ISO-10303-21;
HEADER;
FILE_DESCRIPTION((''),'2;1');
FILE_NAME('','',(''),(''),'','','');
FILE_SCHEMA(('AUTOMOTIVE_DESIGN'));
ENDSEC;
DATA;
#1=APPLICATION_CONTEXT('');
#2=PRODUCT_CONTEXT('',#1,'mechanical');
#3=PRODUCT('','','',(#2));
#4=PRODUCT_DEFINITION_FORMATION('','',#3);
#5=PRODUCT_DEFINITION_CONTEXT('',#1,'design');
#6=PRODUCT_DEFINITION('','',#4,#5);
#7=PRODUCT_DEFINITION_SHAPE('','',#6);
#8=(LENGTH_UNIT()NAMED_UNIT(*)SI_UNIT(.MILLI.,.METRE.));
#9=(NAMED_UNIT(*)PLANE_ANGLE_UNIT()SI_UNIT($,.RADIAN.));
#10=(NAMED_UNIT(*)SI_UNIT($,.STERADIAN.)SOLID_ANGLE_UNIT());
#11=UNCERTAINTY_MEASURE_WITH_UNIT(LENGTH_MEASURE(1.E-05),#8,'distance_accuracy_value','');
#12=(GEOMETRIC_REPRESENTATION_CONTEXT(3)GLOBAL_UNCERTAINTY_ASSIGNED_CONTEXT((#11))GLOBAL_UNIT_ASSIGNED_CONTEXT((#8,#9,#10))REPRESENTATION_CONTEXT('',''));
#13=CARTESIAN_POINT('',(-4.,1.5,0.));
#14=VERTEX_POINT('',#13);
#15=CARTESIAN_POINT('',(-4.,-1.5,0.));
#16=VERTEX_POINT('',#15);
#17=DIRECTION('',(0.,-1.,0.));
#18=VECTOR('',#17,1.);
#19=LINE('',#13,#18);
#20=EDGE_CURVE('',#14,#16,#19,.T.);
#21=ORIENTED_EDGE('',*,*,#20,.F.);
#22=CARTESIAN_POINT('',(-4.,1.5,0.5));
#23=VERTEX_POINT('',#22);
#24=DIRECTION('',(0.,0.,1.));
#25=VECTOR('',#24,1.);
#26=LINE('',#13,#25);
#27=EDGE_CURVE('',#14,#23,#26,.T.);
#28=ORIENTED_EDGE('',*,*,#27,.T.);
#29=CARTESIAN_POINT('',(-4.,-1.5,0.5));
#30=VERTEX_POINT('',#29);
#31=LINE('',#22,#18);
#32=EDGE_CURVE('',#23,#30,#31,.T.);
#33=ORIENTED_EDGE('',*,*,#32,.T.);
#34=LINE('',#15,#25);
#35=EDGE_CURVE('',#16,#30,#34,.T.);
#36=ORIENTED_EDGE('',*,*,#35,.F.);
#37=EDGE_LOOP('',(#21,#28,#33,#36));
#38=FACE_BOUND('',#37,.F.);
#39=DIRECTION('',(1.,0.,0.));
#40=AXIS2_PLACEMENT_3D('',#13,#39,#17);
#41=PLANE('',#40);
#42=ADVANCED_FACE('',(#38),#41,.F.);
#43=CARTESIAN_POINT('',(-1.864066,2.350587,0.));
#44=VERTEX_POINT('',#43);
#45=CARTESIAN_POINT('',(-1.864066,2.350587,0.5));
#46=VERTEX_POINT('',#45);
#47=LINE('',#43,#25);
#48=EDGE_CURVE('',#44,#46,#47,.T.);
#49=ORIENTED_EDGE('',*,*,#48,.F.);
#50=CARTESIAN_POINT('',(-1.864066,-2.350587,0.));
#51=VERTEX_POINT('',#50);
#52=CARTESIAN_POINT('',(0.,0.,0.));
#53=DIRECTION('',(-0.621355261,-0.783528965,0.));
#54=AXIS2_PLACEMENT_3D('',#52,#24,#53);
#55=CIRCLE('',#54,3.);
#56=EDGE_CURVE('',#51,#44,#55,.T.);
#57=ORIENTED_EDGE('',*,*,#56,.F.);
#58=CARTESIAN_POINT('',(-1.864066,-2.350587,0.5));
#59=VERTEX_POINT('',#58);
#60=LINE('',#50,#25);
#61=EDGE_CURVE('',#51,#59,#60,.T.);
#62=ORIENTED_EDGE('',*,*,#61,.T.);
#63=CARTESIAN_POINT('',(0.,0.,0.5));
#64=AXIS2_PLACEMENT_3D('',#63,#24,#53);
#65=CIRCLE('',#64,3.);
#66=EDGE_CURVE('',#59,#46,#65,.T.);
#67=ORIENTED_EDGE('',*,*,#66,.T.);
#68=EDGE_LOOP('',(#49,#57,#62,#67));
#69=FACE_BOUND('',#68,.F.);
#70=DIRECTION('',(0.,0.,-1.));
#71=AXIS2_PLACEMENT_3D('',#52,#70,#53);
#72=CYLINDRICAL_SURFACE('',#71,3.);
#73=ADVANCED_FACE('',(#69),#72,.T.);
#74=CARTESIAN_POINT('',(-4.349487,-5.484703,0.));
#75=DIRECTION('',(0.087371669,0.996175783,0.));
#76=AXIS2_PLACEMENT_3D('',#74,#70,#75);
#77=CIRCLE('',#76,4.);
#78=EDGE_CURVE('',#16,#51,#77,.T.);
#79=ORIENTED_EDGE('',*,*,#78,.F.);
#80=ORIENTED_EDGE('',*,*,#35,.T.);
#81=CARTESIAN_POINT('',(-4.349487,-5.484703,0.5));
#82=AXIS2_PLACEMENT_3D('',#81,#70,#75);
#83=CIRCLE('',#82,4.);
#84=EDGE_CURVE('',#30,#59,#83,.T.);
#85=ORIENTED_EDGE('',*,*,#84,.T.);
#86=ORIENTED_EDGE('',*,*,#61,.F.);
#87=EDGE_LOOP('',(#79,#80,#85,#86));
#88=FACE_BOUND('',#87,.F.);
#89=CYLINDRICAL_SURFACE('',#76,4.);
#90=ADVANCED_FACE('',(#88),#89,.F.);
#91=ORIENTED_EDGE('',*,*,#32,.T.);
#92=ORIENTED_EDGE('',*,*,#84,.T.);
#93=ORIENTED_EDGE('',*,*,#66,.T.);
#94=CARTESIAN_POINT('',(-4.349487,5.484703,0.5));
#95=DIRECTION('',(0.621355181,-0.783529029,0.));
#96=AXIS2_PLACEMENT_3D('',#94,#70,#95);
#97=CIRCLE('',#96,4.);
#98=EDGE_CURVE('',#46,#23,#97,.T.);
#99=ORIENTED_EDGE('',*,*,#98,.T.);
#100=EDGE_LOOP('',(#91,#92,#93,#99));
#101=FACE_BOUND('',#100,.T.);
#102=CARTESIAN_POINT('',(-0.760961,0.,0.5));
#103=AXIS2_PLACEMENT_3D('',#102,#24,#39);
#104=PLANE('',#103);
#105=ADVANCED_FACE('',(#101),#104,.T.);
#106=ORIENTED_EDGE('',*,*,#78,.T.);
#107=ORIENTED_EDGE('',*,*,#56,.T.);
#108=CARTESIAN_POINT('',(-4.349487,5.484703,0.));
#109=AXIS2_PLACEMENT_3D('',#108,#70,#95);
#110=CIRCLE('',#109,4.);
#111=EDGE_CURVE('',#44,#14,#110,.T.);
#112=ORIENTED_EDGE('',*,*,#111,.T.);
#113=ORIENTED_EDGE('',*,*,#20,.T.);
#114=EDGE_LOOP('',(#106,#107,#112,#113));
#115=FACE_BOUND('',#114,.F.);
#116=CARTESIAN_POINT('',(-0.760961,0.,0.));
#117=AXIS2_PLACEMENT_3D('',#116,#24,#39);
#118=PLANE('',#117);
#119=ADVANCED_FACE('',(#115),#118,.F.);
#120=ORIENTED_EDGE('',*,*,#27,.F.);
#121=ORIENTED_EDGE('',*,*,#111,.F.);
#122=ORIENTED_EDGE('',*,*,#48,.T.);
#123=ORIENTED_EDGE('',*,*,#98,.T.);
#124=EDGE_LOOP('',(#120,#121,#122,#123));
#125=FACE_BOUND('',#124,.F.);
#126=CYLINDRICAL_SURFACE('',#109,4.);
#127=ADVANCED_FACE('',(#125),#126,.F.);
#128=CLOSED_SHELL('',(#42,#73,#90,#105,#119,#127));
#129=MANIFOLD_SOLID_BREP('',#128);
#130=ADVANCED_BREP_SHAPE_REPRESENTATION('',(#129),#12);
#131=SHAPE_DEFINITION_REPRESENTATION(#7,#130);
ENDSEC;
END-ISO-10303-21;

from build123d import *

# Parameters (mm, degrees)
F1_DEPTH = 0.5


with BuildPart() as f1:
    # F0 (on Top) → F1 (new body)
    with BuildSketch(Plane.XY):
        with BuildLine():
            ThreePointArc((-4, -1.5), (-2.869605, -1.768529), (-1.864066, -2.350587))
            ThreePointArc((-1.864066, -2.350587), (3, 0), (-1.864066, 2.350587))
            ThreePointArc((-1.864066, 2.350587), (-2.869605, 1.768529), (-4, 1.5))
            Line((-4, 1.5), (-4, -1.5))
        make_face()
    extrude(amount=F1_DEPTH)


solid = f1.part
